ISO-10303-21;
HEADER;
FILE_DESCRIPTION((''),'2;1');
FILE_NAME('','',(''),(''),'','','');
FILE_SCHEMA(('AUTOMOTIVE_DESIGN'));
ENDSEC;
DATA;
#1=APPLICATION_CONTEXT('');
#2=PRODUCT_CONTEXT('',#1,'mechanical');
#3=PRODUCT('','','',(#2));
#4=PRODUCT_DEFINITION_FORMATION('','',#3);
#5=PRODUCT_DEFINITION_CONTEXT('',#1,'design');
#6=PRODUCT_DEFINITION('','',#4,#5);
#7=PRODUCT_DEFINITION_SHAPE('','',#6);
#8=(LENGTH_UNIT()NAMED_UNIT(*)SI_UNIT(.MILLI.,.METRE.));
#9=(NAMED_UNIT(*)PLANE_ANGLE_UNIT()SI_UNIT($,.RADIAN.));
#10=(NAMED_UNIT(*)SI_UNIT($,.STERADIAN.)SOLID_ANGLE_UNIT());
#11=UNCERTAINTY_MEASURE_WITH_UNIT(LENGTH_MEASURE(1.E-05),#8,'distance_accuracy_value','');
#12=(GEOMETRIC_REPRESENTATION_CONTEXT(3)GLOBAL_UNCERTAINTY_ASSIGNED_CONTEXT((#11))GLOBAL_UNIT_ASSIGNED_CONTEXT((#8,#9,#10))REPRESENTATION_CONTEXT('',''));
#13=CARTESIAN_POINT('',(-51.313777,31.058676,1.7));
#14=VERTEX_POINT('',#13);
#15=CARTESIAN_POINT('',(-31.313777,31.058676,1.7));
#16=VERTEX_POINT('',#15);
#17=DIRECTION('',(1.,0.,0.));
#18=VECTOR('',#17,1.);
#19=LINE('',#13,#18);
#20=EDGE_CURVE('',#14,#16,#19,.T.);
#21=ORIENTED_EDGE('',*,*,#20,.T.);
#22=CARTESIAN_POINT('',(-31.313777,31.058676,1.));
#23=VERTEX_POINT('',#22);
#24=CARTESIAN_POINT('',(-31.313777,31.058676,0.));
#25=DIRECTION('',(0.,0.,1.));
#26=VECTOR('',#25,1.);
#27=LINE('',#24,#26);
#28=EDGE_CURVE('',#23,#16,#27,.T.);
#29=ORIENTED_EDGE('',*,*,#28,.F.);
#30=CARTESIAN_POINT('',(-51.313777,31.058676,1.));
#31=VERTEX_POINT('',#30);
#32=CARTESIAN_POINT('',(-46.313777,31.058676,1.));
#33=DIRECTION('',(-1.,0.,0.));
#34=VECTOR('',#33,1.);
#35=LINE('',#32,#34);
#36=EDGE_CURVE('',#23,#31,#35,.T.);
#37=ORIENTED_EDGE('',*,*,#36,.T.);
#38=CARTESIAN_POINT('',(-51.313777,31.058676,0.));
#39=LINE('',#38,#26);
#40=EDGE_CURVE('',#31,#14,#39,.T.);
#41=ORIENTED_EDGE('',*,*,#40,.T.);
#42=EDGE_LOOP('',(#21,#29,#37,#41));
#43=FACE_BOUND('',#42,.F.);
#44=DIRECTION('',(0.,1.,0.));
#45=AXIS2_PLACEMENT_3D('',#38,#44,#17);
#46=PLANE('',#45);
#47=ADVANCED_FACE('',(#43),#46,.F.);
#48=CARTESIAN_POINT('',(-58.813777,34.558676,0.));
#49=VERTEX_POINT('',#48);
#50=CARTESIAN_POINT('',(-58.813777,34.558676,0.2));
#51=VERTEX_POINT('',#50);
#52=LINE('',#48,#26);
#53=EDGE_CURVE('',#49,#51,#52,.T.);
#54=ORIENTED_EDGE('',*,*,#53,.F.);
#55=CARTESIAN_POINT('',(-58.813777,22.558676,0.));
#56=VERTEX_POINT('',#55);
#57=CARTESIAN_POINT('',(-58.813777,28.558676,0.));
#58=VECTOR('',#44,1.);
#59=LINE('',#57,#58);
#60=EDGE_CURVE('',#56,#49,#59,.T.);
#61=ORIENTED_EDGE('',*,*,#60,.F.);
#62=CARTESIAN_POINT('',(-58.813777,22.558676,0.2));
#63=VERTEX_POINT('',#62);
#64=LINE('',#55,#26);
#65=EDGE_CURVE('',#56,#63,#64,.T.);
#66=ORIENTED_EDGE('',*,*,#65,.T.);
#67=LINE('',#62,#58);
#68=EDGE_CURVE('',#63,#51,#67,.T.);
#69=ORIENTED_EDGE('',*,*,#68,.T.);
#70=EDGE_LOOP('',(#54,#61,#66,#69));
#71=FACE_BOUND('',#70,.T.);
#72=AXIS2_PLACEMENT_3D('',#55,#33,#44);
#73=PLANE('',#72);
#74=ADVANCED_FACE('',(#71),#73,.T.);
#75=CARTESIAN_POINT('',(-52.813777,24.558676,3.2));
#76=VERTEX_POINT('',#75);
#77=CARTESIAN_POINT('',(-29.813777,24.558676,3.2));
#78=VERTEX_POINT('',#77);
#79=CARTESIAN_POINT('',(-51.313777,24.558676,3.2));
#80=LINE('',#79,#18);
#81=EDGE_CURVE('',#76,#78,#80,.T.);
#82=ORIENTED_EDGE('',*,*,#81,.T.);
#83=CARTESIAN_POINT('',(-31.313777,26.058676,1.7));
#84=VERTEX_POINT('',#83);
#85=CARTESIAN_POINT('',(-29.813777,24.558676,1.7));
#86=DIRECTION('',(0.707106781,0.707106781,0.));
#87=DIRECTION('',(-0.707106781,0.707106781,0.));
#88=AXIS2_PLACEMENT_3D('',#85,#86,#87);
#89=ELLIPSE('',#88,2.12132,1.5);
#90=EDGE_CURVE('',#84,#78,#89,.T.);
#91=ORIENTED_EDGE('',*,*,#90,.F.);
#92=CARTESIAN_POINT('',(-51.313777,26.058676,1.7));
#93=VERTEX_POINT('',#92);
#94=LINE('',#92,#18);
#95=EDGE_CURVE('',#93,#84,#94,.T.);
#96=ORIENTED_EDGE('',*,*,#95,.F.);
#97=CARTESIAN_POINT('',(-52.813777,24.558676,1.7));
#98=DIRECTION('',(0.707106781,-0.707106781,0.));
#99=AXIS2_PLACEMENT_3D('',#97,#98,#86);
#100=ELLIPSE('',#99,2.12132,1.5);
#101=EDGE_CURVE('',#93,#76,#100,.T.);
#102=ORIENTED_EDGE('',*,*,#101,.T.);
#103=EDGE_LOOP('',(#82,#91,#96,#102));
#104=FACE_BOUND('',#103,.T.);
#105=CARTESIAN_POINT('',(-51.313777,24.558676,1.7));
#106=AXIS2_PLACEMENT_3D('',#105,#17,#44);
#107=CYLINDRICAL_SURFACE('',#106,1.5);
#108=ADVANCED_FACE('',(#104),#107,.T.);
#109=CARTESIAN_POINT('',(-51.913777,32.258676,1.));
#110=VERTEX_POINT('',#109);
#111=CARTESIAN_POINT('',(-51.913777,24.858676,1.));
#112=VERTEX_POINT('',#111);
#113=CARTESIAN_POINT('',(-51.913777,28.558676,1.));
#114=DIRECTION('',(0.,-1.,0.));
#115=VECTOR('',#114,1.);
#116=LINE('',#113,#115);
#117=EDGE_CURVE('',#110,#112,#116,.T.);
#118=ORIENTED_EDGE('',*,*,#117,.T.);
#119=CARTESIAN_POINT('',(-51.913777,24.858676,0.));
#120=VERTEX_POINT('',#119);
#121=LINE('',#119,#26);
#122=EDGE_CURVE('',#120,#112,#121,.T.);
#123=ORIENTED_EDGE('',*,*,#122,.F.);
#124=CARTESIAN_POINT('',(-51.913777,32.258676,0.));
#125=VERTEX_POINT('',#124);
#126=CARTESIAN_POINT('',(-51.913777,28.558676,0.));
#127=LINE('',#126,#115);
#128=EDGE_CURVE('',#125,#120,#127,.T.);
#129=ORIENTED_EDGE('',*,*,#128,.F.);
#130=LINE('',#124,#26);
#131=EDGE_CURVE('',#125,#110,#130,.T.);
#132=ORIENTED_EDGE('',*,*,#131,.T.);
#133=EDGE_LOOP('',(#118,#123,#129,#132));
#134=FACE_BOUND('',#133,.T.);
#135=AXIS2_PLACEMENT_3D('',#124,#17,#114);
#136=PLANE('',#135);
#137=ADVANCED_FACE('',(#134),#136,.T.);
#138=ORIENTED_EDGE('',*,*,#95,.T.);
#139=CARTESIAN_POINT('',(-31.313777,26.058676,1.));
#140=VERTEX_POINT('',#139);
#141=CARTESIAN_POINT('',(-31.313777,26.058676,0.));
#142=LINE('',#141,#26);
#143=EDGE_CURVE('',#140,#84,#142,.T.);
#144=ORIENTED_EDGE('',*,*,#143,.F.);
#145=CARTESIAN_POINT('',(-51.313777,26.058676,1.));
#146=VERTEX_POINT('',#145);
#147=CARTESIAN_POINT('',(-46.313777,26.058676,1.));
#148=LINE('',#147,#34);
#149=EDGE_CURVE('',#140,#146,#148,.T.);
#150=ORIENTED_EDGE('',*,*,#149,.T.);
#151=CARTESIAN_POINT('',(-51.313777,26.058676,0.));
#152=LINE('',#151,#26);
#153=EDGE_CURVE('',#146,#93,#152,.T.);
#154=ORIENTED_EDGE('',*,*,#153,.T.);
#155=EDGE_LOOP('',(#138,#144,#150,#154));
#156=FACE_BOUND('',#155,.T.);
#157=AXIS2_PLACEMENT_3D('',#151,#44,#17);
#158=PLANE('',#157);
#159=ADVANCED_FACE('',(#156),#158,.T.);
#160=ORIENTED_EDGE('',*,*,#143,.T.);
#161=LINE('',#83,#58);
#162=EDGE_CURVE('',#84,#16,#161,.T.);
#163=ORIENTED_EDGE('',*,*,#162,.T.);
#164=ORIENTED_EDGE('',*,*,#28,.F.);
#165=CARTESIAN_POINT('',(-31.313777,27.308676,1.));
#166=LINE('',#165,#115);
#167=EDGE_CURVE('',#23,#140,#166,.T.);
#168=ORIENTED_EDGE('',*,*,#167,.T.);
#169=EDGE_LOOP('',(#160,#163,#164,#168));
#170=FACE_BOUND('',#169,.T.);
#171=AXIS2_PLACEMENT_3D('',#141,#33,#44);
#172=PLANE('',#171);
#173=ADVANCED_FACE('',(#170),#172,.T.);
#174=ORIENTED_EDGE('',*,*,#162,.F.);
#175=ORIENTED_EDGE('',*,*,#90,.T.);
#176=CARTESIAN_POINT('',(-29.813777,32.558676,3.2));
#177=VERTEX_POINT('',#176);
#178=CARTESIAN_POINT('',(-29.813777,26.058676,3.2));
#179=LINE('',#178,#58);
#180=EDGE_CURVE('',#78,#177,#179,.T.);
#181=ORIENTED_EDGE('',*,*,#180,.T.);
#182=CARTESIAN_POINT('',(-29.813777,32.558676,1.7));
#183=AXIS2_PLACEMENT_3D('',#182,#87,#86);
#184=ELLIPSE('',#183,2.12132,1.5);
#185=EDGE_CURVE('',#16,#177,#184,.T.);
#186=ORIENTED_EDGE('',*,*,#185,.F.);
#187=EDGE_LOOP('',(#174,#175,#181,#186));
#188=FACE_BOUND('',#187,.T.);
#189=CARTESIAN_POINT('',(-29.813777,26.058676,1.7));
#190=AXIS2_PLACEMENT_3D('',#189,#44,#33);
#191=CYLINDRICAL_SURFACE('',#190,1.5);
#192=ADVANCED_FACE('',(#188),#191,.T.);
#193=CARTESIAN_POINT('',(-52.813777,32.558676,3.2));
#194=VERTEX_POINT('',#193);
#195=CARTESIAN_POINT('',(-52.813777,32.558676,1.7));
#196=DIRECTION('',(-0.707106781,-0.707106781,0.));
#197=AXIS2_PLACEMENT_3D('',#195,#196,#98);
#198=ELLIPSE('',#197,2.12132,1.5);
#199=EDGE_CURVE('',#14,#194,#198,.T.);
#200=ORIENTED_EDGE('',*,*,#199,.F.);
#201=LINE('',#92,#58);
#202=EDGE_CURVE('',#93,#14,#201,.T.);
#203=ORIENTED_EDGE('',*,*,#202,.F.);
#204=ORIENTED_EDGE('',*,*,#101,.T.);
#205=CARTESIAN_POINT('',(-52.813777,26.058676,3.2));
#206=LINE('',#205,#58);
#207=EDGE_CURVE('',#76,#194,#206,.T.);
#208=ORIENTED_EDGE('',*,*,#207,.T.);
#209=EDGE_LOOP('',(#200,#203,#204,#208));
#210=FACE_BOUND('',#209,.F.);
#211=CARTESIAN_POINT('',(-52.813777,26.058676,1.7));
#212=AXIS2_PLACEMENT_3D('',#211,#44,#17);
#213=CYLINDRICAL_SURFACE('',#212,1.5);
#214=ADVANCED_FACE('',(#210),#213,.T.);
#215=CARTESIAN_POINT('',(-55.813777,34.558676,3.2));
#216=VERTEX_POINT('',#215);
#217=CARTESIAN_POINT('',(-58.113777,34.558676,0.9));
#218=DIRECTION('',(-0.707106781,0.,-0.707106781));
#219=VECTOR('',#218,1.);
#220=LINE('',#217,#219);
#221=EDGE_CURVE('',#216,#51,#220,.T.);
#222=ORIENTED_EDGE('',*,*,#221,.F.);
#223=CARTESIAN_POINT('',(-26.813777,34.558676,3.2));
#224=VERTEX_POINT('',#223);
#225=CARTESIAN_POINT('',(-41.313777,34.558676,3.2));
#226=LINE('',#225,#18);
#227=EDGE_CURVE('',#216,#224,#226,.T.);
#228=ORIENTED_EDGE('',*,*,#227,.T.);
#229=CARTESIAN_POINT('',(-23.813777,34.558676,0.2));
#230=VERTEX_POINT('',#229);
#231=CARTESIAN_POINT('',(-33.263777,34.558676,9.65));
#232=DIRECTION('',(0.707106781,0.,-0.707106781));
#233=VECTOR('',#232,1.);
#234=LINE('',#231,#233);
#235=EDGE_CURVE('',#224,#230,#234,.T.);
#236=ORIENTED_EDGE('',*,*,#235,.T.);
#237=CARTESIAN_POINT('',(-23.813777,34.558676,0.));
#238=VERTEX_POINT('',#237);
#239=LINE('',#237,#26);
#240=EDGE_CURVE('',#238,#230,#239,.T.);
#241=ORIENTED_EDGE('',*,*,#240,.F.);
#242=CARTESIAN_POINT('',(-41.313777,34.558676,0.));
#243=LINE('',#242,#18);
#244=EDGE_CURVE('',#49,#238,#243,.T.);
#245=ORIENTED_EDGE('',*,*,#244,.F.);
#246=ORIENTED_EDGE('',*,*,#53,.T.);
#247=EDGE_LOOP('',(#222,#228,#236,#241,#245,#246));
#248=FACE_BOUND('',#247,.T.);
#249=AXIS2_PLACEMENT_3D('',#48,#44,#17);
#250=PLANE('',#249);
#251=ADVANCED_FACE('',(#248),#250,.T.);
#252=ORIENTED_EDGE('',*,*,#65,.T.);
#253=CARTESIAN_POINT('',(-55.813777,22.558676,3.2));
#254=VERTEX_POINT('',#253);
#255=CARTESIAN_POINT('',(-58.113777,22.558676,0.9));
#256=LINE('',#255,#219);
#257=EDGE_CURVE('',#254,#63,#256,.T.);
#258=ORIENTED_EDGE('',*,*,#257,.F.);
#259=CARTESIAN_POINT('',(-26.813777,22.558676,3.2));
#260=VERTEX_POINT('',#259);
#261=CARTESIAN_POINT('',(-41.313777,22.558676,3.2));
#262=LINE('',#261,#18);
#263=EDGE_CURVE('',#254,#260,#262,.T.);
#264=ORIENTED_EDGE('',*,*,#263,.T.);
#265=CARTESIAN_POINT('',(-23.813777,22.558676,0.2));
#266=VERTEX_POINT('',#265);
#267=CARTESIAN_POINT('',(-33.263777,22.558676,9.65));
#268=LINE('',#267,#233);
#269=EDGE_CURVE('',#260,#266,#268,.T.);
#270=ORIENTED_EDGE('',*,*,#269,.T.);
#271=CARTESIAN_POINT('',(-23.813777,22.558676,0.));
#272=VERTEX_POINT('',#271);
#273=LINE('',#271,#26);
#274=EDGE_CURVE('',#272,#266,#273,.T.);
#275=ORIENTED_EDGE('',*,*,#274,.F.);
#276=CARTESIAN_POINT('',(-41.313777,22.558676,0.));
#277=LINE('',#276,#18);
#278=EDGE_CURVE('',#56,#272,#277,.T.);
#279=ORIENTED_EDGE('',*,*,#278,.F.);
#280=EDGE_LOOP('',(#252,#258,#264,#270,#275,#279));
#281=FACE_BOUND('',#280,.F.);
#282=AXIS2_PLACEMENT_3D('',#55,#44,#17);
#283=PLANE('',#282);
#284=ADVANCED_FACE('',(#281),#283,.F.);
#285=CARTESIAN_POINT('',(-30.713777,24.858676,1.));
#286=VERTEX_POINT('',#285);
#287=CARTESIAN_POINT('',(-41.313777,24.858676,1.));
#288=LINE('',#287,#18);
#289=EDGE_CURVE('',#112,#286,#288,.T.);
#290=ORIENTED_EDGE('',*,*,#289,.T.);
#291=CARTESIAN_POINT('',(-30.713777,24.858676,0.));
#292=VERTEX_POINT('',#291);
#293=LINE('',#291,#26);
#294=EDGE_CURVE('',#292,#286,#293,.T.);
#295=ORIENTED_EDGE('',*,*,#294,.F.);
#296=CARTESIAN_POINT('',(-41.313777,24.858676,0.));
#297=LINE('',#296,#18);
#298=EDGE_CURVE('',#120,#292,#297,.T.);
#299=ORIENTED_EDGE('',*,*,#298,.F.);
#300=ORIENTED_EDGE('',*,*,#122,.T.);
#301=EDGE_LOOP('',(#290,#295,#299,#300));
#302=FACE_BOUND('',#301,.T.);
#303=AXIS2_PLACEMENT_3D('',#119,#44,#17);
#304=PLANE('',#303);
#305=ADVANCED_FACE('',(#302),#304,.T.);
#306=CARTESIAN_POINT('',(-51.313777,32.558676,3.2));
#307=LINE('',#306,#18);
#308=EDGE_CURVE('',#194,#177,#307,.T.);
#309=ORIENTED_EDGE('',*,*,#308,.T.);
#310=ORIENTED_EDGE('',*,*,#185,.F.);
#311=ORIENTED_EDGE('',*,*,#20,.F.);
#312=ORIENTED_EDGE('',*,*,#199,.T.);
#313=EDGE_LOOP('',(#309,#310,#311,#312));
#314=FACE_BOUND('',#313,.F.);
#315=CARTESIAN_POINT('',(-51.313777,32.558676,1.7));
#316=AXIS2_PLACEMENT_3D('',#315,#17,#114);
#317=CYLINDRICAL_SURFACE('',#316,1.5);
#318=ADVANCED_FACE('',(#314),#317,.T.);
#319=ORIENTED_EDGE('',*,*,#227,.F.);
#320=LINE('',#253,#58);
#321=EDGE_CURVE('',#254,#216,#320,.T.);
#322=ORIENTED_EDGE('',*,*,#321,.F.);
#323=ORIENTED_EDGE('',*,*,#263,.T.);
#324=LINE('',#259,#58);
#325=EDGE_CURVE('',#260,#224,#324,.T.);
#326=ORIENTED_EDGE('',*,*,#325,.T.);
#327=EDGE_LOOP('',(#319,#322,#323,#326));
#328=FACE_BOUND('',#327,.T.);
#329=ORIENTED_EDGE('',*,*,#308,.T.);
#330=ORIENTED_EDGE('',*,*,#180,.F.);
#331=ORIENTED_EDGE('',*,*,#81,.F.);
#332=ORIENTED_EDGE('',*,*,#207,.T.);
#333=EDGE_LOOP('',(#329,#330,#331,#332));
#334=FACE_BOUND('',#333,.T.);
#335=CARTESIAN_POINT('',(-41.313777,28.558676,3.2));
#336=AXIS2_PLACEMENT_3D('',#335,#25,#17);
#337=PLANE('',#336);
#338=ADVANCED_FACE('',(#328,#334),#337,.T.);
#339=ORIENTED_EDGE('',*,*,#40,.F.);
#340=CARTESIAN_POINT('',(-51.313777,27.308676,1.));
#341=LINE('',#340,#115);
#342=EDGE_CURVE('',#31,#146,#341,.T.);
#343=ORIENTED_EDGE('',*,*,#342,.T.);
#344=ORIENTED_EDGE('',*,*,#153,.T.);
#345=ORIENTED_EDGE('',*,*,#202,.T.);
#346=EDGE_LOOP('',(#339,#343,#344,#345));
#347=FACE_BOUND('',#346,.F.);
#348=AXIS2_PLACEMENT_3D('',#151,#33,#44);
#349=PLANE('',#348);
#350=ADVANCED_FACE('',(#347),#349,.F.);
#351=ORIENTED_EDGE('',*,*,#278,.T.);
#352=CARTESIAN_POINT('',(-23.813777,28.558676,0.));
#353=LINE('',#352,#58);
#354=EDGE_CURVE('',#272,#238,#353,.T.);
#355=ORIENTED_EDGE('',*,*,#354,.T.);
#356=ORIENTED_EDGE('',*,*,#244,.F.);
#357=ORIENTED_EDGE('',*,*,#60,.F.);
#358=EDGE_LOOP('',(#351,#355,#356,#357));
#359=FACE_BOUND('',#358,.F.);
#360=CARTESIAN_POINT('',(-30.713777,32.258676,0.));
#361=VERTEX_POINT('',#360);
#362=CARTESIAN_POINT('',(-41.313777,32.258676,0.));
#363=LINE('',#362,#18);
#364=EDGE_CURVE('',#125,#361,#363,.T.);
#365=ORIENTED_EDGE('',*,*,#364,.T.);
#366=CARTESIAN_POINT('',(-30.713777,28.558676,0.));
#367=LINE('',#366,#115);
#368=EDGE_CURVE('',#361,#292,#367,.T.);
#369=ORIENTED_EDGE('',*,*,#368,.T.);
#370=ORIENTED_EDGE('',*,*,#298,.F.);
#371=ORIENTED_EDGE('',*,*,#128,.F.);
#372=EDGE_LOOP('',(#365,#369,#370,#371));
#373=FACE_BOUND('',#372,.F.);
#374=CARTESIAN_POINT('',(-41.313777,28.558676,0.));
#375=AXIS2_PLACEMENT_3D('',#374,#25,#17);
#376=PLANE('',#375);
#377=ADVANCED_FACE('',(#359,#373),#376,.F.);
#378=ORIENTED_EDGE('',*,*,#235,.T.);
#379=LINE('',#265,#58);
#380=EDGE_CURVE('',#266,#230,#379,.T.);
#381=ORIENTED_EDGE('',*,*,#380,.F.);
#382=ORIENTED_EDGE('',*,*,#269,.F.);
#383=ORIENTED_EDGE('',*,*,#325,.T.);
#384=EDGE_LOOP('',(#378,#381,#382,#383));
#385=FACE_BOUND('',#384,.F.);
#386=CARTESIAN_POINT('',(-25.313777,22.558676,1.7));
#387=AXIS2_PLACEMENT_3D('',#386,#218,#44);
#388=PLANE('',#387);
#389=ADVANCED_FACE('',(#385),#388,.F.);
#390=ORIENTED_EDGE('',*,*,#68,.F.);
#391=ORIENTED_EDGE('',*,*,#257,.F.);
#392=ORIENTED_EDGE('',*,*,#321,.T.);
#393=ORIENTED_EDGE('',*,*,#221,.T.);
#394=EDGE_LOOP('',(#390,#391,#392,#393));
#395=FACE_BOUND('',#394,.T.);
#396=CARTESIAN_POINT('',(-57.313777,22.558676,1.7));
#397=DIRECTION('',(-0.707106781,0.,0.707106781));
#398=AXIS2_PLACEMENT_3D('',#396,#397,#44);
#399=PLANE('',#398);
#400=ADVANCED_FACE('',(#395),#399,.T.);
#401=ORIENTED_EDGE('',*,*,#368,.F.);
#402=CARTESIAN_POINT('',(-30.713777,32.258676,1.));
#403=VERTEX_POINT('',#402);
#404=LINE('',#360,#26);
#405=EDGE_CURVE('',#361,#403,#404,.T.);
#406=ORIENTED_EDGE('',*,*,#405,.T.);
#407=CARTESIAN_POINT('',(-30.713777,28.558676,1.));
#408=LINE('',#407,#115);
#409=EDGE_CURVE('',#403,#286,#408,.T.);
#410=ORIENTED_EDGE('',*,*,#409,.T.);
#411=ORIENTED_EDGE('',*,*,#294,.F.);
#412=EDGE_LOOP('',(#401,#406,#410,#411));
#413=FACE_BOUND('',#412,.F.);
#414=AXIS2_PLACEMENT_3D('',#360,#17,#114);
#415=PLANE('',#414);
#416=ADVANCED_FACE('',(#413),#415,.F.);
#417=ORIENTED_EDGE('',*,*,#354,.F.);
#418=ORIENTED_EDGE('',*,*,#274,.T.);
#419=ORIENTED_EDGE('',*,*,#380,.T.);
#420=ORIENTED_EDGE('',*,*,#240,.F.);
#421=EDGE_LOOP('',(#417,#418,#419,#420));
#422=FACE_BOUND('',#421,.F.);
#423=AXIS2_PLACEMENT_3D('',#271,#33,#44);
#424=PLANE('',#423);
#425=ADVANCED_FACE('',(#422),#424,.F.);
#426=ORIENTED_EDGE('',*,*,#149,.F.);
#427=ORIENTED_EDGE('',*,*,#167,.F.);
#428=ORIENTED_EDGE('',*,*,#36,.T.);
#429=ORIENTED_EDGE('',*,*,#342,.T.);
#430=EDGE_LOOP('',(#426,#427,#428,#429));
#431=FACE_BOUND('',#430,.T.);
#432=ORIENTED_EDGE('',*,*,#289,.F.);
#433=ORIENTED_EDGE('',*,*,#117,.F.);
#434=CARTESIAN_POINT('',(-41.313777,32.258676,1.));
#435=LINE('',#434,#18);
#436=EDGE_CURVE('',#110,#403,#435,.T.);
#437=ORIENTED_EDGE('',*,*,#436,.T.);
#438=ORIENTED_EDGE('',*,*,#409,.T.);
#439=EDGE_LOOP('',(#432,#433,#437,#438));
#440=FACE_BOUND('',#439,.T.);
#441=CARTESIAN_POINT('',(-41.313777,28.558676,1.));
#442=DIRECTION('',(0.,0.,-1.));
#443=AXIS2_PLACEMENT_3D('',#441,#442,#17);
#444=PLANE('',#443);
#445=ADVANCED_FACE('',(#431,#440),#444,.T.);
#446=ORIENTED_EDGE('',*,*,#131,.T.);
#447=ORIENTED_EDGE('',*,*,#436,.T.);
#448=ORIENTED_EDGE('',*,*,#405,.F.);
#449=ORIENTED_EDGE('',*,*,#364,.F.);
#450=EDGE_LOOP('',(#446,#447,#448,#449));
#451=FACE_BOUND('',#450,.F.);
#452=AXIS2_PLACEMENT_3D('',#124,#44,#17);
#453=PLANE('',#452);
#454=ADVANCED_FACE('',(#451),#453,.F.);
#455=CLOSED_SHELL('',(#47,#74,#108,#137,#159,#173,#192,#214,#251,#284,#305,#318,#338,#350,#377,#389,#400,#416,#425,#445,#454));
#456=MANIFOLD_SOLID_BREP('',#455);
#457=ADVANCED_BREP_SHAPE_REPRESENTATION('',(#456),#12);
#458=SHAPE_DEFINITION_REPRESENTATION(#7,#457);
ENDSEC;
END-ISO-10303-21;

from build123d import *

# Parameters (mm, degrees)
F0_W     = 35
F0_H     = 12
F0_W_2   = 20
F0_H_2   = 5
F1_DEPTH = 3.2
F2_R     = 1.5
F3_W     = 21.2
F3_H     = 7.4
F4_DEPTH = 1
F5_SIZE2 = 3
F5_SIZE  = 3


with BuildPart() as f1:
    # F0 (on Top) → F1 (new body)
    with BuildSketch(Plane.XY):
        with Locations((-41.313777, 28.558676)):
            Rectangle(F0_W, F0_H)
        with Locations((-41.313777, 28.558676)):
            Rectangle(F0_W_2, F0_H_2, mode=Mode.SUBTRACT)
    extrude(amount=F1_DEPTH)

    # F2
    f2_edges = [f1.edges().sort_by_distance(p)[0] for p in [
        (-41.313777, 31.058676, 3.2),
        (-31.313777, 28.558676, 3.2),
        (-51.313777, 28.558676, 3.2),
        (-41.313777, 26.058676, 3.2),
    ]]
    fillet(f2_edges, radius=F2_R)

    # F3 (on face) → F4 (cut)
    with BuildSketch(Plane(origin=(0, 0, 0), x_dir=(1, 0, 0), z_dir=(0, 0, -1))):
        with Locations((-41.313777, -28.558676)):
            Rectangle(F3_W, F3_H)
    extrude(amount=-F4_DEPTH, mode=Mode.SUBTRACT)

    # F5
    f5_edges = [f1.edges().sort_by_distance(p)[0] for p in [
        (-58.813777, 28.558676, 3.2),
        (-23.813777, 28.558676, 3.2),
    ]]
    chamfer(f5_edges, length=F5_SIZE, length2=F5_SIZE2)


solid = f1.part
